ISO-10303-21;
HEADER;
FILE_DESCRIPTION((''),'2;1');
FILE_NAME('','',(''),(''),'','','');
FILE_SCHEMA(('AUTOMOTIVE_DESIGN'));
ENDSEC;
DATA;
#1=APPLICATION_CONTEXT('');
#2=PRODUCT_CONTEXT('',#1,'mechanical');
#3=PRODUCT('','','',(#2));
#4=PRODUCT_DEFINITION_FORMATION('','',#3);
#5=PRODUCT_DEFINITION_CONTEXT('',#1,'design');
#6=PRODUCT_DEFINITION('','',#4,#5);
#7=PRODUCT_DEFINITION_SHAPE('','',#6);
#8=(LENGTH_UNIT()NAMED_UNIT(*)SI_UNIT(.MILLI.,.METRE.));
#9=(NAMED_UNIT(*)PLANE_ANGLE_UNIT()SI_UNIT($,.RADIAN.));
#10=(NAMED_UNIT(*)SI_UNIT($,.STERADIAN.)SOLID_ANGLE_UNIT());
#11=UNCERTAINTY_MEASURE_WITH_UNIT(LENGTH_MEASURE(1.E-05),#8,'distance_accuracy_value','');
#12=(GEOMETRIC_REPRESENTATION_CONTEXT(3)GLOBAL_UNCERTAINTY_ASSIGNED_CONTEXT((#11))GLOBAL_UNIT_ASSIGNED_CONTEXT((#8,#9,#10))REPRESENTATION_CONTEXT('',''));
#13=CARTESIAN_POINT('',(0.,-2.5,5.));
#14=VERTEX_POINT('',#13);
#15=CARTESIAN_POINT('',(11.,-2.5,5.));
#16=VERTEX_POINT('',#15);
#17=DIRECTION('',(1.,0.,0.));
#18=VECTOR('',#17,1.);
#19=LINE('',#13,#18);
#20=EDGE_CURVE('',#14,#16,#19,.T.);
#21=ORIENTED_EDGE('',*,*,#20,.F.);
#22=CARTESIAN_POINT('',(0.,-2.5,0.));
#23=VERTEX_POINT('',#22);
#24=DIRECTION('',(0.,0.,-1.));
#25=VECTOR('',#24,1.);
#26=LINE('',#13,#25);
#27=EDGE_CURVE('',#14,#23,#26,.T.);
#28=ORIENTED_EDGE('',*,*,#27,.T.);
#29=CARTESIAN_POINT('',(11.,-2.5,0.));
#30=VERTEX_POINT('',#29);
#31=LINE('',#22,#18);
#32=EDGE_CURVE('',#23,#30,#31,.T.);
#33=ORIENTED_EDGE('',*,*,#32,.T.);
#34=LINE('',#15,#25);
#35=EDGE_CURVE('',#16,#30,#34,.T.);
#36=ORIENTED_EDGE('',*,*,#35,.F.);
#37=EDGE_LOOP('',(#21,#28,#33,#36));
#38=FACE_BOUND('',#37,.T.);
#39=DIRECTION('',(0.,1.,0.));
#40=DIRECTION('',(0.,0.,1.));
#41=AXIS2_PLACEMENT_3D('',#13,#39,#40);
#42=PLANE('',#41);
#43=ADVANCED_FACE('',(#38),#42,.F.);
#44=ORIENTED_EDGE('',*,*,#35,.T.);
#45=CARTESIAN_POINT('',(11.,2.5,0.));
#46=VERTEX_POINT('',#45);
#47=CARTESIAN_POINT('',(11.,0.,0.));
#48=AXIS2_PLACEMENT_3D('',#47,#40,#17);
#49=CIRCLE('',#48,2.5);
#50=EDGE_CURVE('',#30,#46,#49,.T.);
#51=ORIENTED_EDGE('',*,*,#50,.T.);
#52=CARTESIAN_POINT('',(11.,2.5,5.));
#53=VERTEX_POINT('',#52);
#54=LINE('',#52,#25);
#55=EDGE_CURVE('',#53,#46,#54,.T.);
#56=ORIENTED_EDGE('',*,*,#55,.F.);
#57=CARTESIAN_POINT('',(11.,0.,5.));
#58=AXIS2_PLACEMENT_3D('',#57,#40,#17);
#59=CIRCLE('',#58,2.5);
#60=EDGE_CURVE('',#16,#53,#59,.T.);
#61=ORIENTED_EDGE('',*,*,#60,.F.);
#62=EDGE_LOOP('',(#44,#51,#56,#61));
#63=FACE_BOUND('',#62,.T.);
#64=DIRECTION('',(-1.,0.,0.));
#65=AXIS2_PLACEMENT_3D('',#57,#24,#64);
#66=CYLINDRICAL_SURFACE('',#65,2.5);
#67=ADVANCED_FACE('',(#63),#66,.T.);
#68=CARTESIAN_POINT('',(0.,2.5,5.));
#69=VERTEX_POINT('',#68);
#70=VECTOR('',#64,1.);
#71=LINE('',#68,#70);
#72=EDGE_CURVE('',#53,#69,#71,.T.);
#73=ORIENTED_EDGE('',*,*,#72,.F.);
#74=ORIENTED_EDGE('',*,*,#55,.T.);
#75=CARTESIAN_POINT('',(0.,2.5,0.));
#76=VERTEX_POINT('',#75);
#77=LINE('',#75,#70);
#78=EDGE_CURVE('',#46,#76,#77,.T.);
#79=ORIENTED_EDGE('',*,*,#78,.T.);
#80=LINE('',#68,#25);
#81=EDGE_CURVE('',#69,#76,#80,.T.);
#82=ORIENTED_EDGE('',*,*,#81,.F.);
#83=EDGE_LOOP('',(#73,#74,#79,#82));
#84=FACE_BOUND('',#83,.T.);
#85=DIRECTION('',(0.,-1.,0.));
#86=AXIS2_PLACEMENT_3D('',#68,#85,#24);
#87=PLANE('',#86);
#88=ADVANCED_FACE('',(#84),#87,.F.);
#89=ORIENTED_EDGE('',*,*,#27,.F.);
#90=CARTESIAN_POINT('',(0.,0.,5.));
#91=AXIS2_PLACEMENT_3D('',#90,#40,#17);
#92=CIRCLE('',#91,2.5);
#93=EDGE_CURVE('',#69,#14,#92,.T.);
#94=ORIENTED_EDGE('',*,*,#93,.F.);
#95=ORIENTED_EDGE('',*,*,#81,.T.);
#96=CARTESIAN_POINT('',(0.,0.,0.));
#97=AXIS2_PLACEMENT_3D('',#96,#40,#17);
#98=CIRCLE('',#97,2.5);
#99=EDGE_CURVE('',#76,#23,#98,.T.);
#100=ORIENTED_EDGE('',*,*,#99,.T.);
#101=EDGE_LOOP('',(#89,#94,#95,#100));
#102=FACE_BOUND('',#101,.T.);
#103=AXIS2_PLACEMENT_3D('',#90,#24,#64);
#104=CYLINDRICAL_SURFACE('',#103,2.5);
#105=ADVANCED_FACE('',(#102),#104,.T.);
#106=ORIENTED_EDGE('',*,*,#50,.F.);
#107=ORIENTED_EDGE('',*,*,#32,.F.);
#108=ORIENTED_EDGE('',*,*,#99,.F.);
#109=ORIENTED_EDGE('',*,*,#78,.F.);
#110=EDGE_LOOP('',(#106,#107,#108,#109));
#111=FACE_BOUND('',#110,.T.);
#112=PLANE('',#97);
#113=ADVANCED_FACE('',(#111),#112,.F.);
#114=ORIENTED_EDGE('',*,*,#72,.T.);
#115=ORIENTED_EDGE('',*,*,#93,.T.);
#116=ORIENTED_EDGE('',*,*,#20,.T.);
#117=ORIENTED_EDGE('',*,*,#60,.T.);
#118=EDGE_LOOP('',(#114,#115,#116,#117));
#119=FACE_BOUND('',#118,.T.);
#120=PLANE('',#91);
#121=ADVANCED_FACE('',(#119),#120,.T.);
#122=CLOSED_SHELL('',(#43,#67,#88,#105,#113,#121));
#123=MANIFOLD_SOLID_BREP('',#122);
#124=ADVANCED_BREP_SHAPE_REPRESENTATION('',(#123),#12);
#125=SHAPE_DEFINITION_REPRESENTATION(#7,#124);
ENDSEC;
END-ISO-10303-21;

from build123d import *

# Parameters (mm, degrees)
EXTRUDE_1_DEPTH = 5


with BuildPart() as part:
    # 草图1 → 凸台-拉伸1 (new body)
    with BuildSketch(Plane.XY):
        with BuildLine():
            Line((0, 2.5), (11, 2.5))
            ThreePointArc((11, 2.5), (13.5, 0), (11, -2.5))
            Line((11, -2.5), (0, -2.5))
            ThreePointArc((0, -2.5), (-2.5, 0), (0, 2.5))
        make_face()
    extrude(amount=EXTRUDE_1_DEPTH)


solid = part.part
